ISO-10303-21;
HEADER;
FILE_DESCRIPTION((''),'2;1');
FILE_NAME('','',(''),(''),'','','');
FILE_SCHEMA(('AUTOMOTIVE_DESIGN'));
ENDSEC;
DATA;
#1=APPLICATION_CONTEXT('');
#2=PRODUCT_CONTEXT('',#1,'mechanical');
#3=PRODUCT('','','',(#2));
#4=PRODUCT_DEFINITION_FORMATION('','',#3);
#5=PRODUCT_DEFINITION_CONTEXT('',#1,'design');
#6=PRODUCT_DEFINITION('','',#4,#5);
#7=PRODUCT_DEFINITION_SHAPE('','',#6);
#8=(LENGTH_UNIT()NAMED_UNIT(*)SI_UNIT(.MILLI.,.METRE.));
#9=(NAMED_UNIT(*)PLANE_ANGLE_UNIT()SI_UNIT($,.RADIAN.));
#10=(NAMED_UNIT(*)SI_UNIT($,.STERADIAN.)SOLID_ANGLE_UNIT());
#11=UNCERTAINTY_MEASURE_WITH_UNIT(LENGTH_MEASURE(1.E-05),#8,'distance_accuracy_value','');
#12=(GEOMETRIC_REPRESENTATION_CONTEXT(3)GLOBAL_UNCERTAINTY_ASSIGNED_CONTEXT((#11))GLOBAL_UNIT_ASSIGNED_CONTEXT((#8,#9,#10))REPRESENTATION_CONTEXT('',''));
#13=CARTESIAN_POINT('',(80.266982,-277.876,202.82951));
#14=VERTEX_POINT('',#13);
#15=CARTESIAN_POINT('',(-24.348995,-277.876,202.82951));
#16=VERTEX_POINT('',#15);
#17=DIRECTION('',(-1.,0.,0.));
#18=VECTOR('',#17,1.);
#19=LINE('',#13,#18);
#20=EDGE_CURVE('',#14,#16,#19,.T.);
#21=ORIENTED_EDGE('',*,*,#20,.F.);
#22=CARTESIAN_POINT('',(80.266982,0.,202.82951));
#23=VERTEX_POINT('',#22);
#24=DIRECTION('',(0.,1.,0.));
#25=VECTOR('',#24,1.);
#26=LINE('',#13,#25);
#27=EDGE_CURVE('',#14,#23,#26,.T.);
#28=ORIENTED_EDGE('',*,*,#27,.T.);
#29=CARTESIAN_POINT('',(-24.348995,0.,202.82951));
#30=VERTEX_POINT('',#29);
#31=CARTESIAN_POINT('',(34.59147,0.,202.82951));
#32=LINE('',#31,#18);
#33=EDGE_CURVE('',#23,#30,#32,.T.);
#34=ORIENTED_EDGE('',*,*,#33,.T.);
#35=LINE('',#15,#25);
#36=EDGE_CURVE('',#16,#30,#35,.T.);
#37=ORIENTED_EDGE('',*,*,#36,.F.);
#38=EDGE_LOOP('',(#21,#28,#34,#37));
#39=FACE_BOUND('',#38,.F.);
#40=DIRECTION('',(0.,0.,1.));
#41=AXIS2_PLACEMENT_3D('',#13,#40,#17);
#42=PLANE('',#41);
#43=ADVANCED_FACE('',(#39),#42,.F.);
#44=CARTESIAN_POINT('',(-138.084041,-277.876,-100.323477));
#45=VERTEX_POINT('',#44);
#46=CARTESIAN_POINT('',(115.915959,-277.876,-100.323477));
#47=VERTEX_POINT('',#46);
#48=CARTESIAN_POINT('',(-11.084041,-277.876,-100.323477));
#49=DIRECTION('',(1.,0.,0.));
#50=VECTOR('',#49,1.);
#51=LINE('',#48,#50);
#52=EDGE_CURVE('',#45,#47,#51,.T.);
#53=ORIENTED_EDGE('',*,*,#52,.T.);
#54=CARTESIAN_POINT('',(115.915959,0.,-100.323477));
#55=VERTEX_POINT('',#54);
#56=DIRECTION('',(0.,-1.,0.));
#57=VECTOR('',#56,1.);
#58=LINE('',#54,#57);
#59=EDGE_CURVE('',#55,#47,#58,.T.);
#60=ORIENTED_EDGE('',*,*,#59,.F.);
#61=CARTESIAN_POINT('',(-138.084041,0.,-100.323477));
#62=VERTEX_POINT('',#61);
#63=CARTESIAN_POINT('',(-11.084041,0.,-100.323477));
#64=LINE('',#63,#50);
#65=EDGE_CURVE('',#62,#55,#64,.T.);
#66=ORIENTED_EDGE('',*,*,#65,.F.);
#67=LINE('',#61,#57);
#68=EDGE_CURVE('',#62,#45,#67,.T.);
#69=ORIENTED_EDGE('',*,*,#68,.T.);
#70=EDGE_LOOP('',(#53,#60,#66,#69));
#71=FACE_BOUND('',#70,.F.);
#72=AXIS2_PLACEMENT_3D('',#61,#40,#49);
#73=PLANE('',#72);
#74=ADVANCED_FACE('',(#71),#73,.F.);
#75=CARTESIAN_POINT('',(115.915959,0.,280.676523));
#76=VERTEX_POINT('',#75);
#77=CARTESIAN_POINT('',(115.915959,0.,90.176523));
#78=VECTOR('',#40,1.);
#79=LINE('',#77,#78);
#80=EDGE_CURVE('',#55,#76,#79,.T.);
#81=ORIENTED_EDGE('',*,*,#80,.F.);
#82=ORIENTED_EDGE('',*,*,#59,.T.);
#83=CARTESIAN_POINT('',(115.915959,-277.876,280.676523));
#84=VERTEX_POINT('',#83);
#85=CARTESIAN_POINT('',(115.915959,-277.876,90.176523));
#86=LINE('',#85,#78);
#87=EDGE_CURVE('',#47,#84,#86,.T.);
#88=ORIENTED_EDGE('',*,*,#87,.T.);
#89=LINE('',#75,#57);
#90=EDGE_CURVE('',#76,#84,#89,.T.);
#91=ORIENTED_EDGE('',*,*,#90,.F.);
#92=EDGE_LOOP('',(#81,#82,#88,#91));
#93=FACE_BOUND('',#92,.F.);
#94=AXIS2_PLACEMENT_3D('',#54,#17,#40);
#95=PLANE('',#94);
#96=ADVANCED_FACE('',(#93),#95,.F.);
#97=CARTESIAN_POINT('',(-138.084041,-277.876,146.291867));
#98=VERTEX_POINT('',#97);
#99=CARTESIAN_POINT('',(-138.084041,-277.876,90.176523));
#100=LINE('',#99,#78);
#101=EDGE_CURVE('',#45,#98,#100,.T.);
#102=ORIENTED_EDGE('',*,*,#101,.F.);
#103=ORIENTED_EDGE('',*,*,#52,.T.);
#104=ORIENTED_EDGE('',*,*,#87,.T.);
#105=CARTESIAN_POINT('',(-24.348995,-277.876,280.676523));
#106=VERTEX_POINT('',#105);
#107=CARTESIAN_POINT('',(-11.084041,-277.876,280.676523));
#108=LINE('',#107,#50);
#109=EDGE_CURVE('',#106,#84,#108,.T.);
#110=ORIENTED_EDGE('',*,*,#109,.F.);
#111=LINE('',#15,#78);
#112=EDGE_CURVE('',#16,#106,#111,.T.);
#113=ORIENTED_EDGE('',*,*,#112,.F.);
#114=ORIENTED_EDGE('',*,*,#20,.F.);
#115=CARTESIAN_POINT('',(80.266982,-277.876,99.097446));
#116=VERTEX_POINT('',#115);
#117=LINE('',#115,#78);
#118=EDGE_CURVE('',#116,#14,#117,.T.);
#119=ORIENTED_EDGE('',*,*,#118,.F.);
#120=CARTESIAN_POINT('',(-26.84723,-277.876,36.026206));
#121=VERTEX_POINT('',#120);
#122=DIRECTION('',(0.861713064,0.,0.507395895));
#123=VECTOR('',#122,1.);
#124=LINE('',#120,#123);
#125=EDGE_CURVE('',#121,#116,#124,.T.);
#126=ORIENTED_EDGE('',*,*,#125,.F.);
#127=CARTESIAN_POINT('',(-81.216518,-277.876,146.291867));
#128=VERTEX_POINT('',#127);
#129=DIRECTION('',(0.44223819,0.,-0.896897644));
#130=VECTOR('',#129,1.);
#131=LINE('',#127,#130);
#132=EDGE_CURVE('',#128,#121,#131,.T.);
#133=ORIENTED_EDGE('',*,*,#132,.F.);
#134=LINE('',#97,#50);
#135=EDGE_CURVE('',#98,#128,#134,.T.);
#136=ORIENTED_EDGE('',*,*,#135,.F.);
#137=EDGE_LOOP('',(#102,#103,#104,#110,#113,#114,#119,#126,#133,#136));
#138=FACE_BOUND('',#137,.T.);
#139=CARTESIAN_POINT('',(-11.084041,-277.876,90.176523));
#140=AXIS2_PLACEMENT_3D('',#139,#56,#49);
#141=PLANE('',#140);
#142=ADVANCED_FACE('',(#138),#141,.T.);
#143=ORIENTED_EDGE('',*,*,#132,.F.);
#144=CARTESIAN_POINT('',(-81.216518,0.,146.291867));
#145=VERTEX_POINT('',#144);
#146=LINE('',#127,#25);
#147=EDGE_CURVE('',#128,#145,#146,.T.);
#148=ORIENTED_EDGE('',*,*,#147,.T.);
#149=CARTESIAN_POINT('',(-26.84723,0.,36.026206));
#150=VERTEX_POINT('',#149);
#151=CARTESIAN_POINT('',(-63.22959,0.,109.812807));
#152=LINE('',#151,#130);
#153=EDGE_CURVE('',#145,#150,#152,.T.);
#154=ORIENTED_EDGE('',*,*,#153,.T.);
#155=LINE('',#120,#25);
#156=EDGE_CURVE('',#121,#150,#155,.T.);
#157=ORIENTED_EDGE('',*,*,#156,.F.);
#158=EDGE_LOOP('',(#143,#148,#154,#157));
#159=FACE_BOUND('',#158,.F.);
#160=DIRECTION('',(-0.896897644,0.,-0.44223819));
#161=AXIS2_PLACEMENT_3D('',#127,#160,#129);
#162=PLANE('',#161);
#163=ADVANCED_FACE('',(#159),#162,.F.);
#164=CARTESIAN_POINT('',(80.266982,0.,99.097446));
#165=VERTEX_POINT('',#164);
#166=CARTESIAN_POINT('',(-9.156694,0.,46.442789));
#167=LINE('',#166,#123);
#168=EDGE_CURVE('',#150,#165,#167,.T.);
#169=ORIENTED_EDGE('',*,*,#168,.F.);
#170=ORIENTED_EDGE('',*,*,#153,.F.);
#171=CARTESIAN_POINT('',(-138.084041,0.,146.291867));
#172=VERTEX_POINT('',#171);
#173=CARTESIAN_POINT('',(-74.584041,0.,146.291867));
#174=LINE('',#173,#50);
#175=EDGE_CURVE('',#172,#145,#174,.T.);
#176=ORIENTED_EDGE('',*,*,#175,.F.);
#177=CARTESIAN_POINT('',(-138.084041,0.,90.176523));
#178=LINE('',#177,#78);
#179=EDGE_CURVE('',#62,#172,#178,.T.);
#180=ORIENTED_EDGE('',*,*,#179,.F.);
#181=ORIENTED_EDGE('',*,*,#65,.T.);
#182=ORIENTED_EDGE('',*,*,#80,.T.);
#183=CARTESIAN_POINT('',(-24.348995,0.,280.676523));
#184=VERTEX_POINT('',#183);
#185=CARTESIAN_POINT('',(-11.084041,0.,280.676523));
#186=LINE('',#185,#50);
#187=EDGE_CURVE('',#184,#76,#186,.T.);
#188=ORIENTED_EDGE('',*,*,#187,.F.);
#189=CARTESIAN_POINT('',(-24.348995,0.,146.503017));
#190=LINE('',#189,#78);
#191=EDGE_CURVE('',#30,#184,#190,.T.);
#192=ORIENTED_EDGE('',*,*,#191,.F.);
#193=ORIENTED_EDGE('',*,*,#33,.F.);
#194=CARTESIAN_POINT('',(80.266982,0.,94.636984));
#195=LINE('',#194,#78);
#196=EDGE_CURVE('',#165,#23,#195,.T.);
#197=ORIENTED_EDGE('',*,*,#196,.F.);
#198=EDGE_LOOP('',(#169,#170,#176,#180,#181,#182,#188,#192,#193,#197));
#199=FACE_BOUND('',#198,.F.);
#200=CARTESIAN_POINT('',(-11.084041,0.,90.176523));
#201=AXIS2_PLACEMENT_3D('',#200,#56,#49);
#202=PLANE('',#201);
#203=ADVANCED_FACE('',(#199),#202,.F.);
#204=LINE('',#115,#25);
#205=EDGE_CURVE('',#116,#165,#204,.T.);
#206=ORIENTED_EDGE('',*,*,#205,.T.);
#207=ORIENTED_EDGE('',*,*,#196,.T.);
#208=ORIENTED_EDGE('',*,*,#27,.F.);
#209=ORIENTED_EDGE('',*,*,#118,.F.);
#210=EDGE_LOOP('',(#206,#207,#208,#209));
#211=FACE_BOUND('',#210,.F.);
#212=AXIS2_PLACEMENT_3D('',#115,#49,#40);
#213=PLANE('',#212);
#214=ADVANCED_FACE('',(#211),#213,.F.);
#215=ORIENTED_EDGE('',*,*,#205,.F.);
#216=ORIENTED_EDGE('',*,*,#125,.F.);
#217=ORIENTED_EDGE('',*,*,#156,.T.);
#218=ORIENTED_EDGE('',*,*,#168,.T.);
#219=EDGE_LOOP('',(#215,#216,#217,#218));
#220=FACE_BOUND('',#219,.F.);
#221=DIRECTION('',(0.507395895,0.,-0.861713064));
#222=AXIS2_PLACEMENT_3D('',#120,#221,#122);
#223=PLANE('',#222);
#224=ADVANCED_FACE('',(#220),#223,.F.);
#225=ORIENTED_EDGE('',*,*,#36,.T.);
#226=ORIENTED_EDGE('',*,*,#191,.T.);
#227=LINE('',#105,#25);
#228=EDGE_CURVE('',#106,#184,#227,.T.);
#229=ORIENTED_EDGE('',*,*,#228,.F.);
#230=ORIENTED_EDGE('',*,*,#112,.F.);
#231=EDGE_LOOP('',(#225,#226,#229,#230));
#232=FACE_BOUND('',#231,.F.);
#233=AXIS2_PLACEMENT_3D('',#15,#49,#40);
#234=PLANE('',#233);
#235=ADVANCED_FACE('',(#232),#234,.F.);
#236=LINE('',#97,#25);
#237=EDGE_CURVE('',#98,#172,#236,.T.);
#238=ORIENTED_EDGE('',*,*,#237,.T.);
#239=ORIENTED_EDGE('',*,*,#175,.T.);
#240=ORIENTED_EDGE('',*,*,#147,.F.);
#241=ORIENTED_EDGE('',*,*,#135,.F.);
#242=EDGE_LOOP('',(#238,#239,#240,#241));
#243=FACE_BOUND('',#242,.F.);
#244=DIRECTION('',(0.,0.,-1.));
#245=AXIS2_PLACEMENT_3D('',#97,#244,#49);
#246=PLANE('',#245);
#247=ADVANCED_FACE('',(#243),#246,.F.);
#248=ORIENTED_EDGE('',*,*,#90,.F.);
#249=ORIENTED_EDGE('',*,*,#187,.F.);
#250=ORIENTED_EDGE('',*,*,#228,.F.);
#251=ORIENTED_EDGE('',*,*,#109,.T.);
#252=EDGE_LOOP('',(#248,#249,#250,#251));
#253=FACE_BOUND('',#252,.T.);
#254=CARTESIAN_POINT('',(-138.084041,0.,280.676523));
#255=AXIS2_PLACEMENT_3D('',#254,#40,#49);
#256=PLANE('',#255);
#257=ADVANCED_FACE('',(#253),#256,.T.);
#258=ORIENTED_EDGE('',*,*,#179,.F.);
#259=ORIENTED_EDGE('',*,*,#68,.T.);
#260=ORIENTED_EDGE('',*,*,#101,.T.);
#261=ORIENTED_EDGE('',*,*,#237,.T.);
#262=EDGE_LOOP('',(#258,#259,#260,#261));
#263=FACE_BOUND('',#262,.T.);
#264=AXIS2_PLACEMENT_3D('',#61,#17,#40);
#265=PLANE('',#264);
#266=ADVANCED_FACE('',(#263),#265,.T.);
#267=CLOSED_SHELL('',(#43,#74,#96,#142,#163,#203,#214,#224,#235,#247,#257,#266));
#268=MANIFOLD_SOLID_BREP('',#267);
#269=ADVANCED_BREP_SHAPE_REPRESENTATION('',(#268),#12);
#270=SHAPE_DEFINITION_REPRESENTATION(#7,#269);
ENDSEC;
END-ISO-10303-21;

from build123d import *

# Parameters (mm, degrees)
F0_W     = 254
F0_H     = 381
F1_DEPTH = 277.876
F3_DEPTH = 496.824


with BuildPart() as f1:
    # F0 (on Front) → F1 (new body)
    with BuildSketch(Plane.XZ):
        with Locations((-11.084041, 90.176523)):
            Rectangle(F0_W, F0_H)
    extrude(amount=F1_DEPTH)

    # F2 (on face) → F3 (cut)
    with BuildSketch(Plane.XZ.offset(277.876)):
        Polygon((-24.348995, 280.676523), (-138.084041, 280.676523), (-138.084041, 146.291867), (-81.216518, 146.291867), (-26.84723, 36.026206), (80.266982, 99.097446), (80.266982, 202.82951), (-24.348995, 202.82951), align=None)
    extrude(amount=-F3_DEPTH, mode=Mode.SUBTRACT)


solid = f1.part
